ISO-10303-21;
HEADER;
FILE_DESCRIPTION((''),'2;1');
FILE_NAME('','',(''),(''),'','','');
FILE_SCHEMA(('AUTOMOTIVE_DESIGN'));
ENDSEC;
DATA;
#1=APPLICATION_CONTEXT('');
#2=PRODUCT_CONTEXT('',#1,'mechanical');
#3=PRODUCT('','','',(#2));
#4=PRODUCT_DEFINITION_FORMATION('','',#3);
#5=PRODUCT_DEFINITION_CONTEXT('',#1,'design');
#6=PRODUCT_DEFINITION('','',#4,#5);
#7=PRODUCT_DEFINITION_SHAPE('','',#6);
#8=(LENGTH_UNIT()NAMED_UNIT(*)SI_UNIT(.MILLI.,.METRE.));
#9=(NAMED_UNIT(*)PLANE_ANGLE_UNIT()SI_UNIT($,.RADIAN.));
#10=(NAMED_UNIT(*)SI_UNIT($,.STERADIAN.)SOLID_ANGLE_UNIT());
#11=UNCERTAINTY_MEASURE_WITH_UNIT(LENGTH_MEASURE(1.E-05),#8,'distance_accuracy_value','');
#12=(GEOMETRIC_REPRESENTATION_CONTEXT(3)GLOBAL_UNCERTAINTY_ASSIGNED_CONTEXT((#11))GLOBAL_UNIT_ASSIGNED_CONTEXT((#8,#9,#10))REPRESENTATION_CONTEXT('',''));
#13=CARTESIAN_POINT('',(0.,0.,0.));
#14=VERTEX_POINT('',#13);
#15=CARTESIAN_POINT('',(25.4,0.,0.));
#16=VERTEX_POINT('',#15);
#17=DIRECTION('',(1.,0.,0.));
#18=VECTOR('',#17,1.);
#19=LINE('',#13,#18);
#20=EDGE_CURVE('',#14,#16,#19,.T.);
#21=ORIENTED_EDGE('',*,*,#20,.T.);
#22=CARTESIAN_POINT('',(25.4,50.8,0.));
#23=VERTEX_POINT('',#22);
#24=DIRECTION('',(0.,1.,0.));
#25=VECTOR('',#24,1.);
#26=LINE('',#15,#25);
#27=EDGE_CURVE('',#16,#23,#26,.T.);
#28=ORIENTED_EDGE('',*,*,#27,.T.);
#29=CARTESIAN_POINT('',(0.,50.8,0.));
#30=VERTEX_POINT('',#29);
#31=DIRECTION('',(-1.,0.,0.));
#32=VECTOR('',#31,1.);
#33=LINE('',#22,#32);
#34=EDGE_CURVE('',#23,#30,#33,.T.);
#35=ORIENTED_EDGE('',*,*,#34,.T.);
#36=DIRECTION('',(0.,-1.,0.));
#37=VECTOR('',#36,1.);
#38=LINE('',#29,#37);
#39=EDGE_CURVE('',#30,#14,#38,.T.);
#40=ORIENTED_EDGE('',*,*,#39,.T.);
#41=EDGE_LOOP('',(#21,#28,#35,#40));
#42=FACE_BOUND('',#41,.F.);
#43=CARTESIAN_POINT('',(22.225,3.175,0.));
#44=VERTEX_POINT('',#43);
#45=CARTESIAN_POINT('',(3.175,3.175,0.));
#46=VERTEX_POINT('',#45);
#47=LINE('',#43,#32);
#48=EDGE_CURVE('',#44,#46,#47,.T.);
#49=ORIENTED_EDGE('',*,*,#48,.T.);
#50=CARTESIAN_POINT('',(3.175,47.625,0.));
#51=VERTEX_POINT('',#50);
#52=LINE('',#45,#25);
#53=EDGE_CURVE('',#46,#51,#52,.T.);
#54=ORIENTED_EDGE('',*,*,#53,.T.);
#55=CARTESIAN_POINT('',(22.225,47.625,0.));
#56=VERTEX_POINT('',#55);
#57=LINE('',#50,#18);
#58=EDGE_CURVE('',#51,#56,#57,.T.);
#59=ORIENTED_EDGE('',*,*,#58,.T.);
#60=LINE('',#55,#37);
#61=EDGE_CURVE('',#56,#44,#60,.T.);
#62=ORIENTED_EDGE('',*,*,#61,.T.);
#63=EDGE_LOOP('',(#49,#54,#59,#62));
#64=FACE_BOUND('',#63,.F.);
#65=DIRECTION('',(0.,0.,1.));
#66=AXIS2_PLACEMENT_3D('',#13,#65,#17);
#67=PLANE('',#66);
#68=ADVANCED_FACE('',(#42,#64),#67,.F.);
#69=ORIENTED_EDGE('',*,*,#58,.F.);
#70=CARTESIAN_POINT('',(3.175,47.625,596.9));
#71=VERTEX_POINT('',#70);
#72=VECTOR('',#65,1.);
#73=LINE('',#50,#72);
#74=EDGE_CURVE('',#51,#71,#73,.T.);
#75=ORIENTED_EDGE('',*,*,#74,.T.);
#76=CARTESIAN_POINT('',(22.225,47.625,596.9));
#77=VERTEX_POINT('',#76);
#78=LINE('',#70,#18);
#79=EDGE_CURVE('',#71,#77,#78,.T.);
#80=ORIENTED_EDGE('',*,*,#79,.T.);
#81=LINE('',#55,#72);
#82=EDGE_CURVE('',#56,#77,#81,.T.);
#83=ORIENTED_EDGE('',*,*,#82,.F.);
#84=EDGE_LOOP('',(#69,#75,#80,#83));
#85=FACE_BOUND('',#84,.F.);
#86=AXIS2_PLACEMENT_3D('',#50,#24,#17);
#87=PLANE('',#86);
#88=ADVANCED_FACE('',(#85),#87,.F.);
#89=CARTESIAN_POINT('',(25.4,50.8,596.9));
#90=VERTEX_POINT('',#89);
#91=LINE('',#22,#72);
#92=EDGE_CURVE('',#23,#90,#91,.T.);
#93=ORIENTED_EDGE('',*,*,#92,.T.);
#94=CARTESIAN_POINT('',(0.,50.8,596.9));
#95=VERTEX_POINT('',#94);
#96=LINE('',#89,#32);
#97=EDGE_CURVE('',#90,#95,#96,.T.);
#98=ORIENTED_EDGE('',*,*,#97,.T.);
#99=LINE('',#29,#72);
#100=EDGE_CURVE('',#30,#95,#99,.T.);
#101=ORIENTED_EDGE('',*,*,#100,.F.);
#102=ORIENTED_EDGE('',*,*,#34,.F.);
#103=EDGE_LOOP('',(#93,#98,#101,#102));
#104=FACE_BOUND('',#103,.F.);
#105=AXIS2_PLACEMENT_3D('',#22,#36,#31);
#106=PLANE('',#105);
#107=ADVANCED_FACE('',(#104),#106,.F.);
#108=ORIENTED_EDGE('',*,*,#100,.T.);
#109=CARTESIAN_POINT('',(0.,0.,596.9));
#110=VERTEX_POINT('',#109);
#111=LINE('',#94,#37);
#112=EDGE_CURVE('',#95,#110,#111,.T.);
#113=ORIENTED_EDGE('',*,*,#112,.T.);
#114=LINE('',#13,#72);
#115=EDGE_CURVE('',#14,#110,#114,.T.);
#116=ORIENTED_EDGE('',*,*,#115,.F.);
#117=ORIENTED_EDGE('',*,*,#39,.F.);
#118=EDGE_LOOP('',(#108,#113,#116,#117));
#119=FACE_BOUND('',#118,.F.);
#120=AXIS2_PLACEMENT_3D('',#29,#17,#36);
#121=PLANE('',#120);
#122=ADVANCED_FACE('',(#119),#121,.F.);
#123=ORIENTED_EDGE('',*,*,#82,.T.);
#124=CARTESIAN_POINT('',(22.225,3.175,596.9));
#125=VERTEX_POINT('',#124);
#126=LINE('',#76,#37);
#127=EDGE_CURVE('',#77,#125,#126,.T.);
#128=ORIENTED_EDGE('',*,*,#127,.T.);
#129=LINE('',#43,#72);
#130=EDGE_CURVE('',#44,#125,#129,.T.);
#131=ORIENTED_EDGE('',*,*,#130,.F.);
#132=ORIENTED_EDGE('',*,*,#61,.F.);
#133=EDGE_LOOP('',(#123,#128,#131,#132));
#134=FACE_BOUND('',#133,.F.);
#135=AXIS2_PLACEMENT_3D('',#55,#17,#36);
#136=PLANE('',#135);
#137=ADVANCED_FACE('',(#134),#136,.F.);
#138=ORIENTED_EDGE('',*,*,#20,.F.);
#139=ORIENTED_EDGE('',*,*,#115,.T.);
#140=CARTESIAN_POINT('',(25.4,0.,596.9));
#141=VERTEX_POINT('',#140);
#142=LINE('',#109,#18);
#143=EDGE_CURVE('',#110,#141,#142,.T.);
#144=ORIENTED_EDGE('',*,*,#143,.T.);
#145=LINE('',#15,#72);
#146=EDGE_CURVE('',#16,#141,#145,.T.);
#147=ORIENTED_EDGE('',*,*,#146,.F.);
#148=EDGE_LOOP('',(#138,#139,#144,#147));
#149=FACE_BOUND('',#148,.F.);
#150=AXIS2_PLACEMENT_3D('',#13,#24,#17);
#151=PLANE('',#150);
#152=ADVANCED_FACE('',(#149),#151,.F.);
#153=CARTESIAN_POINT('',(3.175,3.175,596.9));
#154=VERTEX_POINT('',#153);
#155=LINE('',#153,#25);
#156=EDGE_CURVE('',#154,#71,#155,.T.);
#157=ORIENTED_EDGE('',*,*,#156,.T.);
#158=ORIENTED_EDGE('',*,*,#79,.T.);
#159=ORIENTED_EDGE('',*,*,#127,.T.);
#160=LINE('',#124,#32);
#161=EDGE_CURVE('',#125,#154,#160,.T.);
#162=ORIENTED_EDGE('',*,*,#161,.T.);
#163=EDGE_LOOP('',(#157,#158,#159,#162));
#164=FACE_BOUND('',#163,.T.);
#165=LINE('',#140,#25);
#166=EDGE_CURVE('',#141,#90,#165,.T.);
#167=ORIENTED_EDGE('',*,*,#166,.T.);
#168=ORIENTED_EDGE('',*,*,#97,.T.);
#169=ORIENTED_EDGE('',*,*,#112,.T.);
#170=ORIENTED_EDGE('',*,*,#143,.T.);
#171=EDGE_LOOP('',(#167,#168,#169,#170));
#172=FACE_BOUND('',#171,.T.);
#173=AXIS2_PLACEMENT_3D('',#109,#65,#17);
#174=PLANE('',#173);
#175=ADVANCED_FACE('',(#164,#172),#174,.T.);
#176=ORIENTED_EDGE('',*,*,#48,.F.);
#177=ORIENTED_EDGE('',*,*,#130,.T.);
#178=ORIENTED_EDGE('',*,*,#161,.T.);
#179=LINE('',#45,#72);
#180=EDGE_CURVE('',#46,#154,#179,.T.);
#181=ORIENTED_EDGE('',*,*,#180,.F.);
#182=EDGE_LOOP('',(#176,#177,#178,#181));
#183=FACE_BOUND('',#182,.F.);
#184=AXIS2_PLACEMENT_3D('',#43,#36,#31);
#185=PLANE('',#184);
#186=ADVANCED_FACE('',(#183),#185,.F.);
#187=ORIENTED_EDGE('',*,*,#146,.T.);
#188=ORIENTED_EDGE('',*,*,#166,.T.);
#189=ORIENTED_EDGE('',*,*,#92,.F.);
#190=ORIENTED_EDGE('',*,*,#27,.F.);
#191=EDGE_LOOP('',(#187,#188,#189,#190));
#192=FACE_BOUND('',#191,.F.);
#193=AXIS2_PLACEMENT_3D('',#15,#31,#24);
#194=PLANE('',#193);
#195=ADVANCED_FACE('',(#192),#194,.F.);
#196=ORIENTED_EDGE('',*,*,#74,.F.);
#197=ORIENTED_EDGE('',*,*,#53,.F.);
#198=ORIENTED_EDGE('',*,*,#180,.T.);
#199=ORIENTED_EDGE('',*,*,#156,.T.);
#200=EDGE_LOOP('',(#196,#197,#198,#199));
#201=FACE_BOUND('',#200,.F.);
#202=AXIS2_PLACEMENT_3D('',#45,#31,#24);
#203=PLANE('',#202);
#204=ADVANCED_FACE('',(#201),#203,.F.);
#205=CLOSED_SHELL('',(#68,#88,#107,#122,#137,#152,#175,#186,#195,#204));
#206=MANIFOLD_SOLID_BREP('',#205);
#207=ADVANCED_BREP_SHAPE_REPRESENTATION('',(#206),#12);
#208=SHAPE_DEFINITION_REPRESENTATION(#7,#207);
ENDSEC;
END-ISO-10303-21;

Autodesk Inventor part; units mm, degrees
ref_plane "YZ Plane" through (0, 0, 0) normal (1, 0, 0) x (0, 1, 0)
ref_plane "XZ Plane" through (0, 0, 0) normal (0, 1, 0) x (-1, 0, 0)
ref_plane "XY Plane" through (0, 0, 0) normal (0, 0, 1) x (1, 0, 0)
sketch "Sketch1" plane through (0, 0, 0) normal (0, 0, 1) x (1, 0, 0)
  line L0 (0, 0) -> (25.4, 0)
  line L1 (25.4, 0) -> (25.4, 50.8)
  line L2 (25.4, 50.8) -> (0, 50.8)
  line L3 (0, 50.8) -> (0, 0)
  line L4 (3.175, 47.625) -> (22.225, 47.625)
  line L5 (22.225, 47.625) -> (22.225, 3.175)
  line L6 (22.225, 3.175) -> (3.175, 3.175)
  line L7 (3.175, 3.175) -> (3.175, 47.625)
  dimension "d0" = 25.4
  dimension "d1" = 50.8
  dimension "d2" = 3.175
extrude "Extrusion1" add sketch "Sketch1" along normal blind 596.9
properties part number "23.5 in 2 x 1 boxBeam"
